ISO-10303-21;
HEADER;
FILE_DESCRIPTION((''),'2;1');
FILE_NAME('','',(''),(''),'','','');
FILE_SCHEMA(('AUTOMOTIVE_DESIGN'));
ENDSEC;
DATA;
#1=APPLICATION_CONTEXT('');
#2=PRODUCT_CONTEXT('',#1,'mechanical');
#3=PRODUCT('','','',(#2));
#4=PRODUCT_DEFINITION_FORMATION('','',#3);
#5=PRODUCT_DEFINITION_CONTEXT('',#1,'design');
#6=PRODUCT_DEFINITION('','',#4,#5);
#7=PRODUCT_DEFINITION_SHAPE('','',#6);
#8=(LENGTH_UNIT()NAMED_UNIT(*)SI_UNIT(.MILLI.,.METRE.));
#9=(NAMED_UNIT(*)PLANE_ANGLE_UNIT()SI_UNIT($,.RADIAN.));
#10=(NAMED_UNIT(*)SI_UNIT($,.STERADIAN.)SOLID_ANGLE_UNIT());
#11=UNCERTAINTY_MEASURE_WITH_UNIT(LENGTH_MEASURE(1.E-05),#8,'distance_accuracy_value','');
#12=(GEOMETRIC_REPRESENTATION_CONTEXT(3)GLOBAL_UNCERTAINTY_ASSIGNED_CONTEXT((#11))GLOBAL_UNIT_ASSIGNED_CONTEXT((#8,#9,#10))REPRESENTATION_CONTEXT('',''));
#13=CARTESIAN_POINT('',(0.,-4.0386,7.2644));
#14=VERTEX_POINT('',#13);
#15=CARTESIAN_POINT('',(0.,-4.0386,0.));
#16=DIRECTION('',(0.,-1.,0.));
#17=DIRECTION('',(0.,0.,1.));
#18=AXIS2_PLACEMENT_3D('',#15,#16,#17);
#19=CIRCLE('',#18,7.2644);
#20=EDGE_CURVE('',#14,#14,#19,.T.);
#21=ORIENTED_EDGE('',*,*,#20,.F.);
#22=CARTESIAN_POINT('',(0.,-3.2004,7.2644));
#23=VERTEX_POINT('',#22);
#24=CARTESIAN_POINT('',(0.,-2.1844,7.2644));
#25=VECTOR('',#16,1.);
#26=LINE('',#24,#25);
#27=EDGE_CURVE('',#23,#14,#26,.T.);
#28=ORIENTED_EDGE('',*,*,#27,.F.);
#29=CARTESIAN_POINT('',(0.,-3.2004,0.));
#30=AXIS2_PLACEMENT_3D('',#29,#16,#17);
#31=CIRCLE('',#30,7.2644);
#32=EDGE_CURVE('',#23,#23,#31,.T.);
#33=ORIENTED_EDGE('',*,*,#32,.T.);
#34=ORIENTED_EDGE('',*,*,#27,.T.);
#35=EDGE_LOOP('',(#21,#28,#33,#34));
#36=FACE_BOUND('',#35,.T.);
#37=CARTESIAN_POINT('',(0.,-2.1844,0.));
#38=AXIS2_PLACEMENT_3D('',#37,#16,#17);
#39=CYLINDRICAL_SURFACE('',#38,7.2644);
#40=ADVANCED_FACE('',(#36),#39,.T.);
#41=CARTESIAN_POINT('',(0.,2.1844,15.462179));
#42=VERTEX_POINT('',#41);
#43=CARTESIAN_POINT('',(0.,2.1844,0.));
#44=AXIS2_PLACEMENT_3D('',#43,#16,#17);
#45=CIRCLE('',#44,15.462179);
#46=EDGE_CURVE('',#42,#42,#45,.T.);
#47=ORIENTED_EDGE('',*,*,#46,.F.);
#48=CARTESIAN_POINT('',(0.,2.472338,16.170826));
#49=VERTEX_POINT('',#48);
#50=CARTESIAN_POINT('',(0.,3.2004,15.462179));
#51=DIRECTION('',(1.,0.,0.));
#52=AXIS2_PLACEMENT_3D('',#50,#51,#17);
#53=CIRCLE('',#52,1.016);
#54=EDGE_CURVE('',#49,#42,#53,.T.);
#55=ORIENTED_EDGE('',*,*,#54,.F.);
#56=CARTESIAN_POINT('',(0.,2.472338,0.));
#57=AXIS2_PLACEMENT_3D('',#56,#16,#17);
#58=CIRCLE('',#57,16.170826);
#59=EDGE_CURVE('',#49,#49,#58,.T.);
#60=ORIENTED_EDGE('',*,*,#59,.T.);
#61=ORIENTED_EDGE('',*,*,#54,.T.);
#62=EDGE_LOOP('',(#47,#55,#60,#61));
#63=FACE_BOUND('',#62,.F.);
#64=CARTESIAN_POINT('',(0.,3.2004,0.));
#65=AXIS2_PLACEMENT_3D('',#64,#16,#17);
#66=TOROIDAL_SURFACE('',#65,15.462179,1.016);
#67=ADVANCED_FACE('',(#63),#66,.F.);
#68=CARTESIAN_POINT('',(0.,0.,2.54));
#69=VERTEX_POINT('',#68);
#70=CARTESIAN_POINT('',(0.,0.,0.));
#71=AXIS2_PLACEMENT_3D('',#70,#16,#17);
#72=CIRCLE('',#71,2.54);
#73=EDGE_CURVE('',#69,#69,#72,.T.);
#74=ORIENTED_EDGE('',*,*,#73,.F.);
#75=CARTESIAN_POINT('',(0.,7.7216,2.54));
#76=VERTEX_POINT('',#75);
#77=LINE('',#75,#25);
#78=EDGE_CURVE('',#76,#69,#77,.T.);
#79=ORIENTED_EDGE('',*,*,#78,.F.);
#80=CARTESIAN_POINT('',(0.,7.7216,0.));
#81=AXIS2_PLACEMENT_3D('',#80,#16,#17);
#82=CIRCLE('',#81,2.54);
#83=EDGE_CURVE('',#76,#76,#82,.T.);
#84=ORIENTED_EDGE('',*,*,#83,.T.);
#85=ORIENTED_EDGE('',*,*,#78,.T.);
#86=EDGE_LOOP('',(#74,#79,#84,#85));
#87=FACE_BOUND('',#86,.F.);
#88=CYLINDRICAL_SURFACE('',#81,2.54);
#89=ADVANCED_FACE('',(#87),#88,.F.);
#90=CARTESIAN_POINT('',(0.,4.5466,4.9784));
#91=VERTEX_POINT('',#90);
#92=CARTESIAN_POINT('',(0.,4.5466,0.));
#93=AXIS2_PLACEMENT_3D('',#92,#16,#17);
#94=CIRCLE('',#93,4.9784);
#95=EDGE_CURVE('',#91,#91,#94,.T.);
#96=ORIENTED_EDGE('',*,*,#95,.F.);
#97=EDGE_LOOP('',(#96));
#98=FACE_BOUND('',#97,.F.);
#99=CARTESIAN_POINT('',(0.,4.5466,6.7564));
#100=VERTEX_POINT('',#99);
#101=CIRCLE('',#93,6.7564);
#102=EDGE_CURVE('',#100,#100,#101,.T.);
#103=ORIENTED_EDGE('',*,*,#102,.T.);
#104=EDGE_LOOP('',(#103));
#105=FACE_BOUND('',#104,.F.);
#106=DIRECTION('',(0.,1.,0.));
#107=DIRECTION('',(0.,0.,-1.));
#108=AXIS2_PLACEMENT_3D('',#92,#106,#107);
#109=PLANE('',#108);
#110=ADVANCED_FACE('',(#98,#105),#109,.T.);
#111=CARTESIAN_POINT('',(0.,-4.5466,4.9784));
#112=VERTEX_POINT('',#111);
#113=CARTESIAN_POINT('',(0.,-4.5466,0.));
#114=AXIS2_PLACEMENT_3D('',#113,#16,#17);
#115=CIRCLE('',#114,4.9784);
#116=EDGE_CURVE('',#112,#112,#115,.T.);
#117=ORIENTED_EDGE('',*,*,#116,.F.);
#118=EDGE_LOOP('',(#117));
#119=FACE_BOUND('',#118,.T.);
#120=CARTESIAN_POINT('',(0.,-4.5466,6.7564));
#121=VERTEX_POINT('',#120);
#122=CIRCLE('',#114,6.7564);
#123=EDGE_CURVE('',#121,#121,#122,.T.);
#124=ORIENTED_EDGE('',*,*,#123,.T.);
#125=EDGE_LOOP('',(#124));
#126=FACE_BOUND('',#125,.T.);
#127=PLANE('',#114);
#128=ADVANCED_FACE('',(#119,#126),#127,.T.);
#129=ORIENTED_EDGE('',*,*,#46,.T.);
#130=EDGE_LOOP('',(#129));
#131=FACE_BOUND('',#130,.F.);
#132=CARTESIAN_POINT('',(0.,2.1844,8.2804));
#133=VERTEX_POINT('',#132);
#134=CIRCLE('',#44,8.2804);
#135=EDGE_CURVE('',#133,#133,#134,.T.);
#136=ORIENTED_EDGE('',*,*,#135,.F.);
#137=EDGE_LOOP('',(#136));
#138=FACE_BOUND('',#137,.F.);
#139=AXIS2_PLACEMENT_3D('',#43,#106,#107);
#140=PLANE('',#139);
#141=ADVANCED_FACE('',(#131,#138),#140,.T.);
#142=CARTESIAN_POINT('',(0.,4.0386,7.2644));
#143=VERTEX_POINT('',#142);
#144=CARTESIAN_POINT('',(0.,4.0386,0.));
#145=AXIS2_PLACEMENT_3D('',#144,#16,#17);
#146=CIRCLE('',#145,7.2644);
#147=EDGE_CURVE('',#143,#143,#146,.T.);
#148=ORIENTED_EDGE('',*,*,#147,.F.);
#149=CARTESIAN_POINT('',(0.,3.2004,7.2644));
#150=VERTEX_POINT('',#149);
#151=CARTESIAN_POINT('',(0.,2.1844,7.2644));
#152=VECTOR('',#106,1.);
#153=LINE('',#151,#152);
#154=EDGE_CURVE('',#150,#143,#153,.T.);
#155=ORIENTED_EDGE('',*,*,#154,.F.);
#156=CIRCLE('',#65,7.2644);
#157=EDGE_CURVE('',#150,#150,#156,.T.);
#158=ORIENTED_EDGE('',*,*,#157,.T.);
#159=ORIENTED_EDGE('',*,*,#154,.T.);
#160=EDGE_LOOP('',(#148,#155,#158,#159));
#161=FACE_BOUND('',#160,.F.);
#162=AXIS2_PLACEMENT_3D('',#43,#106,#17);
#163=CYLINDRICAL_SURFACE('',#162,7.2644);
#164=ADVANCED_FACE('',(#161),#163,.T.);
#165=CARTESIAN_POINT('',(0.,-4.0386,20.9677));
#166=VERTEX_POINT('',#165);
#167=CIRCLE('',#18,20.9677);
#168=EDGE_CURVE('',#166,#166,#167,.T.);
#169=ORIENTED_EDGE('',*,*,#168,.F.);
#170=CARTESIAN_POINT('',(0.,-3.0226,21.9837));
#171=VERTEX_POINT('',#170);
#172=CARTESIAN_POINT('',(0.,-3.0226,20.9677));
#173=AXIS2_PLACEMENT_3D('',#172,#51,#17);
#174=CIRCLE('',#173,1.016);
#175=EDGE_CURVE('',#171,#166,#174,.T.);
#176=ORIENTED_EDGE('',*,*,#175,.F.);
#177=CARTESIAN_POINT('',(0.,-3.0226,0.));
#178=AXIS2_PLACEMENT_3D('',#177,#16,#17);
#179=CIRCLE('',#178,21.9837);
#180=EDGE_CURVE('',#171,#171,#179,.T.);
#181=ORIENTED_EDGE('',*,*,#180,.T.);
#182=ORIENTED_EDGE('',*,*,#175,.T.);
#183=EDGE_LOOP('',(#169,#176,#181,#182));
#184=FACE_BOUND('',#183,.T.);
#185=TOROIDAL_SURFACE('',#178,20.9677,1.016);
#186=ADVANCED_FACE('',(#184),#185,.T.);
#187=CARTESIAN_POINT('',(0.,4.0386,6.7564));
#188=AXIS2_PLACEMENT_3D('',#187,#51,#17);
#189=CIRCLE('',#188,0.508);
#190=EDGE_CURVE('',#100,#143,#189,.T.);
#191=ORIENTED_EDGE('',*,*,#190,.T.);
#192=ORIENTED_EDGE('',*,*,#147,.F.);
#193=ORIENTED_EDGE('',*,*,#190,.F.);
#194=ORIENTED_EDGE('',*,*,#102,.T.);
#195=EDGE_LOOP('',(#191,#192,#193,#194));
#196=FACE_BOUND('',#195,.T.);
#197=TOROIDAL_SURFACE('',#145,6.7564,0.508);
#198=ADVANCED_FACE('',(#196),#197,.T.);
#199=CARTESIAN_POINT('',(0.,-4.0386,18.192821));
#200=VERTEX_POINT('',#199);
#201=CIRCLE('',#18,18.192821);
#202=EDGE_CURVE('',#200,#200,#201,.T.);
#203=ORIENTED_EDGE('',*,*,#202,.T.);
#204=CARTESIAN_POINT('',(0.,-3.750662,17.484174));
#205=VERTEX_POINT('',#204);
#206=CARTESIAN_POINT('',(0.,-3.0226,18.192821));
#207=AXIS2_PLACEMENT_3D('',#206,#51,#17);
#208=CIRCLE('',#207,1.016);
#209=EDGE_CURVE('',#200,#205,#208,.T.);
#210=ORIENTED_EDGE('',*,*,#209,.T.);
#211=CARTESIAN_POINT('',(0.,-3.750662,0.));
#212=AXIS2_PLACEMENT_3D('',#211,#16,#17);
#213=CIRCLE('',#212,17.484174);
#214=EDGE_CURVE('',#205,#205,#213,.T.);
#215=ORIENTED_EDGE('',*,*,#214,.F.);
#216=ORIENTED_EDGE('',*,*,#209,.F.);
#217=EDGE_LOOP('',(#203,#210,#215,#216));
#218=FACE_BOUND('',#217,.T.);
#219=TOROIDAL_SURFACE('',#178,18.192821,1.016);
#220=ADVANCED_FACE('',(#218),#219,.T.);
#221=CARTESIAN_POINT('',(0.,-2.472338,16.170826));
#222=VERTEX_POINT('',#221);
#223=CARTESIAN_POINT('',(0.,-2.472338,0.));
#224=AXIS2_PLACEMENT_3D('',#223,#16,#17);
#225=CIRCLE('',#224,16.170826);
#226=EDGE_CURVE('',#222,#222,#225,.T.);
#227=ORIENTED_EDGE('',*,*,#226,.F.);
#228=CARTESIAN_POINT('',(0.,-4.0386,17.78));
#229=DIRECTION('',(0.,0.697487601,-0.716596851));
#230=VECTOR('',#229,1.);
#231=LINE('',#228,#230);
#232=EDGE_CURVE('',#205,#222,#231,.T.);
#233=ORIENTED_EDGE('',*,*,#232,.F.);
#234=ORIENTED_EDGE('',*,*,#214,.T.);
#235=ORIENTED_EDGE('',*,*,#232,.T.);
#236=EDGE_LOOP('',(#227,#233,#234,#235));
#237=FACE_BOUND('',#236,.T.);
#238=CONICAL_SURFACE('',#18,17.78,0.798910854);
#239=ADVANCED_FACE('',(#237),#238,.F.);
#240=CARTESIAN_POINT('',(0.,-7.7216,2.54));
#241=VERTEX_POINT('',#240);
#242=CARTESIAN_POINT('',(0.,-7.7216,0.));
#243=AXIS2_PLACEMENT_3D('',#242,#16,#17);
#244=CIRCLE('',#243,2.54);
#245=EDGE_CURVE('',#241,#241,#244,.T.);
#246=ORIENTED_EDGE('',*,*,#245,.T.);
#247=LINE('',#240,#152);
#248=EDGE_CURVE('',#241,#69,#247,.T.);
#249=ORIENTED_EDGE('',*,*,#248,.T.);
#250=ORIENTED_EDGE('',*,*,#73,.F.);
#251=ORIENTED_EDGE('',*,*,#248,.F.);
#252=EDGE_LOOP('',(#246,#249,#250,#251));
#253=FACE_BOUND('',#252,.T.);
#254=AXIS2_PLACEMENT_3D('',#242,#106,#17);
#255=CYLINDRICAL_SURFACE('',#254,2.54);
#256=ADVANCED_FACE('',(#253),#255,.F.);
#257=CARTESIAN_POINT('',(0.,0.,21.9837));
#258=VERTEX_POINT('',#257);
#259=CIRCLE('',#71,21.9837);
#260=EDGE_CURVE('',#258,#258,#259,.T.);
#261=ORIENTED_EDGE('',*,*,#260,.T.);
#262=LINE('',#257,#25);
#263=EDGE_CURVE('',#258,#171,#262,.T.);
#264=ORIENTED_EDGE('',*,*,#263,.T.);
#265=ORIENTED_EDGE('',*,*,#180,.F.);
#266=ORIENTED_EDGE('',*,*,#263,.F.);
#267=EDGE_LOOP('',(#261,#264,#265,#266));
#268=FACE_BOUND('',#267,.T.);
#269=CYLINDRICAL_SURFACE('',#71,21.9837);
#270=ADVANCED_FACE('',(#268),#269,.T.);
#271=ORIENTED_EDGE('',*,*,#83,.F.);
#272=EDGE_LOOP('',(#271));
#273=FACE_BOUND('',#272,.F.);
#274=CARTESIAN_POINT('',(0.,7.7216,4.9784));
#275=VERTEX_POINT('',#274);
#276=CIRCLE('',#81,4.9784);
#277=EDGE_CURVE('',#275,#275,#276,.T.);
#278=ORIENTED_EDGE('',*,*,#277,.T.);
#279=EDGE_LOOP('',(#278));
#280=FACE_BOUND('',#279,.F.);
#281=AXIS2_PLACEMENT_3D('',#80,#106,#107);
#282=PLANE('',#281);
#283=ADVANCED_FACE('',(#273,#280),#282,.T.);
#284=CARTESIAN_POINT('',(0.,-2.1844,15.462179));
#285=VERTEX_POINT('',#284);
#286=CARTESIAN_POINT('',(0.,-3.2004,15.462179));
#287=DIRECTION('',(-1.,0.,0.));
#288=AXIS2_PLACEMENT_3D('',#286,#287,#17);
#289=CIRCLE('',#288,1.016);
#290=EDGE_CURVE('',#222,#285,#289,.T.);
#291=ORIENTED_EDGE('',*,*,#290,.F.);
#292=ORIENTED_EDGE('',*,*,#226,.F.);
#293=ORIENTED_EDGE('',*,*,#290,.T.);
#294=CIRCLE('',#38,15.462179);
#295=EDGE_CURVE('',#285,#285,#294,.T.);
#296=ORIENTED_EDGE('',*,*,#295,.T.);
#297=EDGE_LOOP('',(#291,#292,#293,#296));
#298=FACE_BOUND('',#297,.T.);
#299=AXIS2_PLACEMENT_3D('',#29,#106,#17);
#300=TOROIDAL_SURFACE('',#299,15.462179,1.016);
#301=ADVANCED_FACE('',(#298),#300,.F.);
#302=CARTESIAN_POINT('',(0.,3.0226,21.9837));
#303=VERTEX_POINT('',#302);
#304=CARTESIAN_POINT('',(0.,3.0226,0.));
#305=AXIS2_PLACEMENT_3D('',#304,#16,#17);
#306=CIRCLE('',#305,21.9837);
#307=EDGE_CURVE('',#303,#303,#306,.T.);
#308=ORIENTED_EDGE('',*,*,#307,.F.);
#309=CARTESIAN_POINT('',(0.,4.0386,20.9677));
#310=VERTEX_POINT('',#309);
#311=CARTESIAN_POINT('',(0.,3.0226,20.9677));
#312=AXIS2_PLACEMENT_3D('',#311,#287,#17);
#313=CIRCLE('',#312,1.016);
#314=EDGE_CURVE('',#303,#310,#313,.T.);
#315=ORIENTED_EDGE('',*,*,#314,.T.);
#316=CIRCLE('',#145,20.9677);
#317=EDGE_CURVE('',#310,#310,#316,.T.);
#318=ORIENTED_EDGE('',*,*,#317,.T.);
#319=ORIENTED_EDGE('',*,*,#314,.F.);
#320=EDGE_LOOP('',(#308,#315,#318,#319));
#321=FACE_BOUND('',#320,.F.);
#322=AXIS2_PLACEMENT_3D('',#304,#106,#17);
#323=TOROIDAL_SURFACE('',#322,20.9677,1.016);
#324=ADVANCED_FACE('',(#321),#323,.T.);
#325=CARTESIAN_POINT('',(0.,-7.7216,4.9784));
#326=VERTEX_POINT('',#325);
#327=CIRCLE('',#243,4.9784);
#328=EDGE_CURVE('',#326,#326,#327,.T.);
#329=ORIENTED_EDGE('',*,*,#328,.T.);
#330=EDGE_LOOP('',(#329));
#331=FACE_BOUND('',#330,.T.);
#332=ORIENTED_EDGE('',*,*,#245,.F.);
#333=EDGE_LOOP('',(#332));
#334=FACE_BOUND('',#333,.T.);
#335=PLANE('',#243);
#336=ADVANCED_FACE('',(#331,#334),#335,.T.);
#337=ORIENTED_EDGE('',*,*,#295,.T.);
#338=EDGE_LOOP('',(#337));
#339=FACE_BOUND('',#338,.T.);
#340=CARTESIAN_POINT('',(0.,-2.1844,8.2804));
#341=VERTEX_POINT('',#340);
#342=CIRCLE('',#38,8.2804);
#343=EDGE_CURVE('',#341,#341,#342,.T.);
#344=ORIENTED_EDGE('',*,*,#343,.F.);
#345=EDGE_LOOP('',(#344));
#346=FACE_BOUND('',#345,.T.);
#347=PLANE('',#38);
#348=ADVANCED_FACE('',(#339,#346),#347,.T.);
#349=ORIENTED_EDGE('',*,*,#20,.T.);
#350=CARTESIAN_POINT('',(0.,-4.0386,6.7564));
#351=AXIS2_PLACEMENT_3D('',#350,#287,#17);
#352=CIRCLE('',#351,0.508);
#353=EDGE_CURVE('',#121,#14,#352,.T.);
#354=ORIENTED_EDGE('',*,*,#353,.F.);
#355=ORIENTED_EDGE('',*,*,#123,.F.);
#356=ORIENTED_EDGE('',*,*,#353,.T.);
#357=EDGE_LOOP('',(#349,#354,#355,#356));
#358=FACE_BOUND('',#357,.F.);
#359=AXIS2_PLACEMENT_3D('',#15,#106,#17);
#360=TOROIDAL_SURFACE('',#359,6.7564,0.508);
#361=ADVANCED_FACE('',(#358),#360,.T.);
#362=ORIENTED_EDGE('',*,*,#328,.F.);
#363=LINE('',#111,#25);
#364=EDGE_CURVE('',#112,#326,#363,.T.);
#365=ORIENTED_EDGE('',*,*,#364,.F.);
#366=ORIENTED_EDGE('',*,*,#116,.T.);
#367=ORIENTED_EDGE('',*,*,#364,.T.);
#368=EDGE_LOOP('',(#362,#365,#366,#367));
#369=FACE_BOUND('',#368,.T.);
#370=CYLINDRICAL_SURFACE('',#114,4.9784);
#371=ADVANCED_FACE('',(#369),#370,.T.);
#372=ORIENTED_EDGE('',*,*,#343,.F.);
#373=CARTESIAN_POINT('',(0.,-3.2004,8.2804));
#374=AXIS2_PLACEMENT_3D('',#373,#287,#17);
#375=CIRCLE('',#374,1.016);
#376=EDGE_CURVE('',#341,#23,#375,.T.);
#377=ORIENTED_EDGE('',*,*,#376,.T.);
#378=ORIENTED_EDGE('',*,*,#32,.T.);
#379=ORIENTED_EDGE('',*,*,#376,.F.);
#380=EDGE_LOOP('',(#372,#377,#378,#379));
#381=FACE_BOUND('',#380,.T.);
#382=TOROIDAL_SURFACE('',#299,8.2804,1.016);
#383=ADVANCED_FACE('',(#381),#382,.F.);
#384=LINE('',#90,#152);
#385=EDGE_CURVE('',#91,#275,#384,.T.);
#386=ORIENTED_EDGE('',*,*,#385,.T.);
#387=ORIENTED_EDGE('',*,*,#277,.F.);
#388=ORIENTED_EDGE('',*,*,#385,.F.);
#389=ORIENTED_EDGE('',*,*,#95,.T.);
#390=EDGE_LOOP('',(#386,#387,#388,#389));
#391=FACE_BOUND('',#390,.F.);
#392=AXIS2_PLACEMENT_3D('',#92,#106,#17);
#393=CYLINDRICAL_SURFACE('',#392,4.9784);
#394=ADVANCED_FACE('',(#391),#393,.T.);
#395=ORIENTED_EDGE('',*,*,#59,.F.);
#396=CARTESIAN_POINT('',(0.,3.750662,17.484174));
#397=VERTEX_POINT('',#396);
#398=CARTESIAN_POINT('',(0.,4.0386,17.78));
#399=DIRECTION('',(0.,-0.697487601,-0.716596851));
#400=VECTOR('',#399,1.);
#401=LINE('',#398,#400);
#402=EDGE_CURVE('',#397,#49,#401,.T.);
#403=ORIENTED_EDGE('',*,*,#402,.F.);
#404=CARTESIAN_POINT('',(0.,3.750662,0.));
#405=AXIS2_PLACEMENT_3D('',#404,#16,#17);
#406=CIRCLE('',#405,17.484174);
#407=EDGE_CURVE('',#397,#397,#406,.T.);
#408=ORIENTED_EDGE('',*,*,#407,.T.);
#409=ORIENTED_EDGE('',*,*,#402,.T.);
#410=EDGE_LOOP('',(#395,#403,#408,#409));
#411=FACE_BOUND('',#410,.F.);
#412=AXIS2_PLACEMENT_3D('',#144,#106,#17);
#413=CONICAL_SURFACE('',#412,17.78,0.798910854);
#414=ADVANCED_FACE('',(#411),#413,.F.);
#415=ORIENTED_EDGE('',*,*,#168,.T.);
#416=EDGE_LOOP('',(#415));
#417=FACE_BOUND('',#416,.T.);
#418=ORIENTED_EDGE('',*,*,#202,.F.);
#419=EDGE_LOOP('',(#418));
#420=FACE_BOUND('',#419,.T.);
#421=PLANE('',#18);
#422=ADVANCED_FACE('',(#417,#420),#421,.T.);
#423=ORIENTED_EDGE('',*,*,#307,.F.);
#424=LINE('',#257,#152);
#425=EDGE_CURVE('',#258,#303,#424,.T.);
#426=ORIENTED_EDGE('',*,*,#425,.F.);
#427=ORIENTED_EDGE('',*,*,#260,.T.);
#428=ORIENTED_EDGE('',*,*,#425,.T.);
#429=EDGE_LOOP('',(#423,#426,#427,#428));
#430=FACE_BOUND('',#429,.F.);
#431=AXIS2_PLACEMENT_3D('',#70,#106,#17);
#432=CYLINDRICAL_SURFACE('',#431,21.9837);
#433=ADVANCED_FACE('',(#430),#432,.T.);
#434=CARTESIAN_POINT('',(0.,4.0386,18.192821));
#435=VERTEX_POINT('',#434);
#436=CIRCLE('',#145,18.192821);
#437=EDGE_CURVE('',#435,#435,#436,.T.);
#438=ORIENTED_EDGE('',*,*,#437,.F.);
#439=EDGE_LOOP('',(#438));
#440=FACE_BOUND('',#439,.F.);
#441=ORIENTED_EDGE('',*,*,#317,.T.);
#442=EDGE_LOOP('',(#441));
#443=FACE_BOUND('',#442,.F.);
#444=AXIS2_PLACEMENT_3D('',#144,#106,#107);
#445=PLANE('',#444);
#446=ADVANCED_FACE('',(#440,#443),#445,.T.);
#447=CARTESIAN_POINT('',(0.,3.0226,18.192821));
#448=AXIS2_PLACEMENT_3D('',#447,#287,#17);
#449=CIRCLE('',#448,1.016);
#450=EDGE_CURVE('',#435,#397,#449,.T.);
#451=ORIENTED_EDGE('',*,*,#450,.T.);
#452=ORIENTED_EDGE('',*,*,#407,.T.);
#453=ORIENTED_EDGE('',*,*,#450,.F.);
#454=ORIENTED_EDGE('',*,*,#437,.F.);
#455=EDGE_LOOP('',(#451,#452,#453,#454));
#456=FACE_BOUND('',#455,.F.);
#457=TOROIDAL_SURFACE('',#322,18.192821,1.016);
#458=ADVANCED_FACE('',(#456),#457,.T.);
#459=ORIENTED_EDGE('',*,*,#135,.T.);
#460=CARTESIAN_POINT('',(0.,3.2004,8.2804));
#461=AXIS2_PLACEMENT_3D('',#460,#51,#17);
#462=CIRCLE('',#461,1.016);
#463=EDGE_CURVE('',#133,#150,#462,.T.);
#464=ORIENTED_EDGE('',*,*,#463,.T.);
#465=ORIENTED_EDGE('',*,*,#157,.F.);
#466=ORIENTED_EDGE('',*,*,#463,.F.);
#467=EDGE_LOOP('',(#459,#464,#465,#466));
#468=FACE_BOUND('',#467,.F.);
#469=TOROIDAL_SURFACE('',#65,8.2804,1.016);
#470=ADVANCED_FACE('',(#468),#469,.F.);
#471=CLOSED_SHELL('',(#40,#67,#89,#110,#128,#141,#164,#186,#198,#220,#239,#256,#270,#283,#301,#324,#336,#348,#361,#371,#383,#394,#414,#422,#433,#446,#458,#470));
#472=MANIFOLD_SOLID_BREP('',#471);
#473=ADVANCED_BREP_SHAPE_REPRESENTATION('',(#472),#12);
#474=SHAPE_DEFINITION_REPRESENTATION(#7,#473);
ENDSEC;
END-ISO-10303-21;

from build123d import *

# Parameters (mm, degrees)
F2_R = 1.016
F3_R = 0.508


with BuildPart() as f1:
    # F0 (on Right) → F1 (revolve)
    with BuildSketch(Plane.YZ):
        Polygon((-7.7216, 4.9784), (-7.7216, 2.54), (0, 2.54), (0, 21.9837), (-4.0386, 21.9837), (-4.0386, 17.78), (-2.1844, 15.875), (-2.1844, 7.2644), (-4.5466, 7.2644), (-4.5466, 4.9784), align=None)
    revolve(axis=Axis((0, -3.8608, 0), (0, -1, 0)))

    # F2
    f2_edges = [f1.edges().sort_by_distance(p)[0] for p in [
        (0, -2.1844, -7.2644),
        (0, -2.1844, -15.875),
        (0, -4.0386, -17.78),
        (0, -4.0386, -21.9837),
    ]]
    fillet(f2_edges, radius=F2_R)

    # F3
    f3_edges = [f1.edges().sort_by_distance(p)[0] for p in [
        (0, -4.5466, -7.2644),
    ]]
    fillet(f3_edges, radius=F3_R)

    # F4: F1 across plane


with BuildPart() as f1_1:
    add(f1.part)
    add(f1.part.mirror(Plane.XZ))


solid = f1_1.part
